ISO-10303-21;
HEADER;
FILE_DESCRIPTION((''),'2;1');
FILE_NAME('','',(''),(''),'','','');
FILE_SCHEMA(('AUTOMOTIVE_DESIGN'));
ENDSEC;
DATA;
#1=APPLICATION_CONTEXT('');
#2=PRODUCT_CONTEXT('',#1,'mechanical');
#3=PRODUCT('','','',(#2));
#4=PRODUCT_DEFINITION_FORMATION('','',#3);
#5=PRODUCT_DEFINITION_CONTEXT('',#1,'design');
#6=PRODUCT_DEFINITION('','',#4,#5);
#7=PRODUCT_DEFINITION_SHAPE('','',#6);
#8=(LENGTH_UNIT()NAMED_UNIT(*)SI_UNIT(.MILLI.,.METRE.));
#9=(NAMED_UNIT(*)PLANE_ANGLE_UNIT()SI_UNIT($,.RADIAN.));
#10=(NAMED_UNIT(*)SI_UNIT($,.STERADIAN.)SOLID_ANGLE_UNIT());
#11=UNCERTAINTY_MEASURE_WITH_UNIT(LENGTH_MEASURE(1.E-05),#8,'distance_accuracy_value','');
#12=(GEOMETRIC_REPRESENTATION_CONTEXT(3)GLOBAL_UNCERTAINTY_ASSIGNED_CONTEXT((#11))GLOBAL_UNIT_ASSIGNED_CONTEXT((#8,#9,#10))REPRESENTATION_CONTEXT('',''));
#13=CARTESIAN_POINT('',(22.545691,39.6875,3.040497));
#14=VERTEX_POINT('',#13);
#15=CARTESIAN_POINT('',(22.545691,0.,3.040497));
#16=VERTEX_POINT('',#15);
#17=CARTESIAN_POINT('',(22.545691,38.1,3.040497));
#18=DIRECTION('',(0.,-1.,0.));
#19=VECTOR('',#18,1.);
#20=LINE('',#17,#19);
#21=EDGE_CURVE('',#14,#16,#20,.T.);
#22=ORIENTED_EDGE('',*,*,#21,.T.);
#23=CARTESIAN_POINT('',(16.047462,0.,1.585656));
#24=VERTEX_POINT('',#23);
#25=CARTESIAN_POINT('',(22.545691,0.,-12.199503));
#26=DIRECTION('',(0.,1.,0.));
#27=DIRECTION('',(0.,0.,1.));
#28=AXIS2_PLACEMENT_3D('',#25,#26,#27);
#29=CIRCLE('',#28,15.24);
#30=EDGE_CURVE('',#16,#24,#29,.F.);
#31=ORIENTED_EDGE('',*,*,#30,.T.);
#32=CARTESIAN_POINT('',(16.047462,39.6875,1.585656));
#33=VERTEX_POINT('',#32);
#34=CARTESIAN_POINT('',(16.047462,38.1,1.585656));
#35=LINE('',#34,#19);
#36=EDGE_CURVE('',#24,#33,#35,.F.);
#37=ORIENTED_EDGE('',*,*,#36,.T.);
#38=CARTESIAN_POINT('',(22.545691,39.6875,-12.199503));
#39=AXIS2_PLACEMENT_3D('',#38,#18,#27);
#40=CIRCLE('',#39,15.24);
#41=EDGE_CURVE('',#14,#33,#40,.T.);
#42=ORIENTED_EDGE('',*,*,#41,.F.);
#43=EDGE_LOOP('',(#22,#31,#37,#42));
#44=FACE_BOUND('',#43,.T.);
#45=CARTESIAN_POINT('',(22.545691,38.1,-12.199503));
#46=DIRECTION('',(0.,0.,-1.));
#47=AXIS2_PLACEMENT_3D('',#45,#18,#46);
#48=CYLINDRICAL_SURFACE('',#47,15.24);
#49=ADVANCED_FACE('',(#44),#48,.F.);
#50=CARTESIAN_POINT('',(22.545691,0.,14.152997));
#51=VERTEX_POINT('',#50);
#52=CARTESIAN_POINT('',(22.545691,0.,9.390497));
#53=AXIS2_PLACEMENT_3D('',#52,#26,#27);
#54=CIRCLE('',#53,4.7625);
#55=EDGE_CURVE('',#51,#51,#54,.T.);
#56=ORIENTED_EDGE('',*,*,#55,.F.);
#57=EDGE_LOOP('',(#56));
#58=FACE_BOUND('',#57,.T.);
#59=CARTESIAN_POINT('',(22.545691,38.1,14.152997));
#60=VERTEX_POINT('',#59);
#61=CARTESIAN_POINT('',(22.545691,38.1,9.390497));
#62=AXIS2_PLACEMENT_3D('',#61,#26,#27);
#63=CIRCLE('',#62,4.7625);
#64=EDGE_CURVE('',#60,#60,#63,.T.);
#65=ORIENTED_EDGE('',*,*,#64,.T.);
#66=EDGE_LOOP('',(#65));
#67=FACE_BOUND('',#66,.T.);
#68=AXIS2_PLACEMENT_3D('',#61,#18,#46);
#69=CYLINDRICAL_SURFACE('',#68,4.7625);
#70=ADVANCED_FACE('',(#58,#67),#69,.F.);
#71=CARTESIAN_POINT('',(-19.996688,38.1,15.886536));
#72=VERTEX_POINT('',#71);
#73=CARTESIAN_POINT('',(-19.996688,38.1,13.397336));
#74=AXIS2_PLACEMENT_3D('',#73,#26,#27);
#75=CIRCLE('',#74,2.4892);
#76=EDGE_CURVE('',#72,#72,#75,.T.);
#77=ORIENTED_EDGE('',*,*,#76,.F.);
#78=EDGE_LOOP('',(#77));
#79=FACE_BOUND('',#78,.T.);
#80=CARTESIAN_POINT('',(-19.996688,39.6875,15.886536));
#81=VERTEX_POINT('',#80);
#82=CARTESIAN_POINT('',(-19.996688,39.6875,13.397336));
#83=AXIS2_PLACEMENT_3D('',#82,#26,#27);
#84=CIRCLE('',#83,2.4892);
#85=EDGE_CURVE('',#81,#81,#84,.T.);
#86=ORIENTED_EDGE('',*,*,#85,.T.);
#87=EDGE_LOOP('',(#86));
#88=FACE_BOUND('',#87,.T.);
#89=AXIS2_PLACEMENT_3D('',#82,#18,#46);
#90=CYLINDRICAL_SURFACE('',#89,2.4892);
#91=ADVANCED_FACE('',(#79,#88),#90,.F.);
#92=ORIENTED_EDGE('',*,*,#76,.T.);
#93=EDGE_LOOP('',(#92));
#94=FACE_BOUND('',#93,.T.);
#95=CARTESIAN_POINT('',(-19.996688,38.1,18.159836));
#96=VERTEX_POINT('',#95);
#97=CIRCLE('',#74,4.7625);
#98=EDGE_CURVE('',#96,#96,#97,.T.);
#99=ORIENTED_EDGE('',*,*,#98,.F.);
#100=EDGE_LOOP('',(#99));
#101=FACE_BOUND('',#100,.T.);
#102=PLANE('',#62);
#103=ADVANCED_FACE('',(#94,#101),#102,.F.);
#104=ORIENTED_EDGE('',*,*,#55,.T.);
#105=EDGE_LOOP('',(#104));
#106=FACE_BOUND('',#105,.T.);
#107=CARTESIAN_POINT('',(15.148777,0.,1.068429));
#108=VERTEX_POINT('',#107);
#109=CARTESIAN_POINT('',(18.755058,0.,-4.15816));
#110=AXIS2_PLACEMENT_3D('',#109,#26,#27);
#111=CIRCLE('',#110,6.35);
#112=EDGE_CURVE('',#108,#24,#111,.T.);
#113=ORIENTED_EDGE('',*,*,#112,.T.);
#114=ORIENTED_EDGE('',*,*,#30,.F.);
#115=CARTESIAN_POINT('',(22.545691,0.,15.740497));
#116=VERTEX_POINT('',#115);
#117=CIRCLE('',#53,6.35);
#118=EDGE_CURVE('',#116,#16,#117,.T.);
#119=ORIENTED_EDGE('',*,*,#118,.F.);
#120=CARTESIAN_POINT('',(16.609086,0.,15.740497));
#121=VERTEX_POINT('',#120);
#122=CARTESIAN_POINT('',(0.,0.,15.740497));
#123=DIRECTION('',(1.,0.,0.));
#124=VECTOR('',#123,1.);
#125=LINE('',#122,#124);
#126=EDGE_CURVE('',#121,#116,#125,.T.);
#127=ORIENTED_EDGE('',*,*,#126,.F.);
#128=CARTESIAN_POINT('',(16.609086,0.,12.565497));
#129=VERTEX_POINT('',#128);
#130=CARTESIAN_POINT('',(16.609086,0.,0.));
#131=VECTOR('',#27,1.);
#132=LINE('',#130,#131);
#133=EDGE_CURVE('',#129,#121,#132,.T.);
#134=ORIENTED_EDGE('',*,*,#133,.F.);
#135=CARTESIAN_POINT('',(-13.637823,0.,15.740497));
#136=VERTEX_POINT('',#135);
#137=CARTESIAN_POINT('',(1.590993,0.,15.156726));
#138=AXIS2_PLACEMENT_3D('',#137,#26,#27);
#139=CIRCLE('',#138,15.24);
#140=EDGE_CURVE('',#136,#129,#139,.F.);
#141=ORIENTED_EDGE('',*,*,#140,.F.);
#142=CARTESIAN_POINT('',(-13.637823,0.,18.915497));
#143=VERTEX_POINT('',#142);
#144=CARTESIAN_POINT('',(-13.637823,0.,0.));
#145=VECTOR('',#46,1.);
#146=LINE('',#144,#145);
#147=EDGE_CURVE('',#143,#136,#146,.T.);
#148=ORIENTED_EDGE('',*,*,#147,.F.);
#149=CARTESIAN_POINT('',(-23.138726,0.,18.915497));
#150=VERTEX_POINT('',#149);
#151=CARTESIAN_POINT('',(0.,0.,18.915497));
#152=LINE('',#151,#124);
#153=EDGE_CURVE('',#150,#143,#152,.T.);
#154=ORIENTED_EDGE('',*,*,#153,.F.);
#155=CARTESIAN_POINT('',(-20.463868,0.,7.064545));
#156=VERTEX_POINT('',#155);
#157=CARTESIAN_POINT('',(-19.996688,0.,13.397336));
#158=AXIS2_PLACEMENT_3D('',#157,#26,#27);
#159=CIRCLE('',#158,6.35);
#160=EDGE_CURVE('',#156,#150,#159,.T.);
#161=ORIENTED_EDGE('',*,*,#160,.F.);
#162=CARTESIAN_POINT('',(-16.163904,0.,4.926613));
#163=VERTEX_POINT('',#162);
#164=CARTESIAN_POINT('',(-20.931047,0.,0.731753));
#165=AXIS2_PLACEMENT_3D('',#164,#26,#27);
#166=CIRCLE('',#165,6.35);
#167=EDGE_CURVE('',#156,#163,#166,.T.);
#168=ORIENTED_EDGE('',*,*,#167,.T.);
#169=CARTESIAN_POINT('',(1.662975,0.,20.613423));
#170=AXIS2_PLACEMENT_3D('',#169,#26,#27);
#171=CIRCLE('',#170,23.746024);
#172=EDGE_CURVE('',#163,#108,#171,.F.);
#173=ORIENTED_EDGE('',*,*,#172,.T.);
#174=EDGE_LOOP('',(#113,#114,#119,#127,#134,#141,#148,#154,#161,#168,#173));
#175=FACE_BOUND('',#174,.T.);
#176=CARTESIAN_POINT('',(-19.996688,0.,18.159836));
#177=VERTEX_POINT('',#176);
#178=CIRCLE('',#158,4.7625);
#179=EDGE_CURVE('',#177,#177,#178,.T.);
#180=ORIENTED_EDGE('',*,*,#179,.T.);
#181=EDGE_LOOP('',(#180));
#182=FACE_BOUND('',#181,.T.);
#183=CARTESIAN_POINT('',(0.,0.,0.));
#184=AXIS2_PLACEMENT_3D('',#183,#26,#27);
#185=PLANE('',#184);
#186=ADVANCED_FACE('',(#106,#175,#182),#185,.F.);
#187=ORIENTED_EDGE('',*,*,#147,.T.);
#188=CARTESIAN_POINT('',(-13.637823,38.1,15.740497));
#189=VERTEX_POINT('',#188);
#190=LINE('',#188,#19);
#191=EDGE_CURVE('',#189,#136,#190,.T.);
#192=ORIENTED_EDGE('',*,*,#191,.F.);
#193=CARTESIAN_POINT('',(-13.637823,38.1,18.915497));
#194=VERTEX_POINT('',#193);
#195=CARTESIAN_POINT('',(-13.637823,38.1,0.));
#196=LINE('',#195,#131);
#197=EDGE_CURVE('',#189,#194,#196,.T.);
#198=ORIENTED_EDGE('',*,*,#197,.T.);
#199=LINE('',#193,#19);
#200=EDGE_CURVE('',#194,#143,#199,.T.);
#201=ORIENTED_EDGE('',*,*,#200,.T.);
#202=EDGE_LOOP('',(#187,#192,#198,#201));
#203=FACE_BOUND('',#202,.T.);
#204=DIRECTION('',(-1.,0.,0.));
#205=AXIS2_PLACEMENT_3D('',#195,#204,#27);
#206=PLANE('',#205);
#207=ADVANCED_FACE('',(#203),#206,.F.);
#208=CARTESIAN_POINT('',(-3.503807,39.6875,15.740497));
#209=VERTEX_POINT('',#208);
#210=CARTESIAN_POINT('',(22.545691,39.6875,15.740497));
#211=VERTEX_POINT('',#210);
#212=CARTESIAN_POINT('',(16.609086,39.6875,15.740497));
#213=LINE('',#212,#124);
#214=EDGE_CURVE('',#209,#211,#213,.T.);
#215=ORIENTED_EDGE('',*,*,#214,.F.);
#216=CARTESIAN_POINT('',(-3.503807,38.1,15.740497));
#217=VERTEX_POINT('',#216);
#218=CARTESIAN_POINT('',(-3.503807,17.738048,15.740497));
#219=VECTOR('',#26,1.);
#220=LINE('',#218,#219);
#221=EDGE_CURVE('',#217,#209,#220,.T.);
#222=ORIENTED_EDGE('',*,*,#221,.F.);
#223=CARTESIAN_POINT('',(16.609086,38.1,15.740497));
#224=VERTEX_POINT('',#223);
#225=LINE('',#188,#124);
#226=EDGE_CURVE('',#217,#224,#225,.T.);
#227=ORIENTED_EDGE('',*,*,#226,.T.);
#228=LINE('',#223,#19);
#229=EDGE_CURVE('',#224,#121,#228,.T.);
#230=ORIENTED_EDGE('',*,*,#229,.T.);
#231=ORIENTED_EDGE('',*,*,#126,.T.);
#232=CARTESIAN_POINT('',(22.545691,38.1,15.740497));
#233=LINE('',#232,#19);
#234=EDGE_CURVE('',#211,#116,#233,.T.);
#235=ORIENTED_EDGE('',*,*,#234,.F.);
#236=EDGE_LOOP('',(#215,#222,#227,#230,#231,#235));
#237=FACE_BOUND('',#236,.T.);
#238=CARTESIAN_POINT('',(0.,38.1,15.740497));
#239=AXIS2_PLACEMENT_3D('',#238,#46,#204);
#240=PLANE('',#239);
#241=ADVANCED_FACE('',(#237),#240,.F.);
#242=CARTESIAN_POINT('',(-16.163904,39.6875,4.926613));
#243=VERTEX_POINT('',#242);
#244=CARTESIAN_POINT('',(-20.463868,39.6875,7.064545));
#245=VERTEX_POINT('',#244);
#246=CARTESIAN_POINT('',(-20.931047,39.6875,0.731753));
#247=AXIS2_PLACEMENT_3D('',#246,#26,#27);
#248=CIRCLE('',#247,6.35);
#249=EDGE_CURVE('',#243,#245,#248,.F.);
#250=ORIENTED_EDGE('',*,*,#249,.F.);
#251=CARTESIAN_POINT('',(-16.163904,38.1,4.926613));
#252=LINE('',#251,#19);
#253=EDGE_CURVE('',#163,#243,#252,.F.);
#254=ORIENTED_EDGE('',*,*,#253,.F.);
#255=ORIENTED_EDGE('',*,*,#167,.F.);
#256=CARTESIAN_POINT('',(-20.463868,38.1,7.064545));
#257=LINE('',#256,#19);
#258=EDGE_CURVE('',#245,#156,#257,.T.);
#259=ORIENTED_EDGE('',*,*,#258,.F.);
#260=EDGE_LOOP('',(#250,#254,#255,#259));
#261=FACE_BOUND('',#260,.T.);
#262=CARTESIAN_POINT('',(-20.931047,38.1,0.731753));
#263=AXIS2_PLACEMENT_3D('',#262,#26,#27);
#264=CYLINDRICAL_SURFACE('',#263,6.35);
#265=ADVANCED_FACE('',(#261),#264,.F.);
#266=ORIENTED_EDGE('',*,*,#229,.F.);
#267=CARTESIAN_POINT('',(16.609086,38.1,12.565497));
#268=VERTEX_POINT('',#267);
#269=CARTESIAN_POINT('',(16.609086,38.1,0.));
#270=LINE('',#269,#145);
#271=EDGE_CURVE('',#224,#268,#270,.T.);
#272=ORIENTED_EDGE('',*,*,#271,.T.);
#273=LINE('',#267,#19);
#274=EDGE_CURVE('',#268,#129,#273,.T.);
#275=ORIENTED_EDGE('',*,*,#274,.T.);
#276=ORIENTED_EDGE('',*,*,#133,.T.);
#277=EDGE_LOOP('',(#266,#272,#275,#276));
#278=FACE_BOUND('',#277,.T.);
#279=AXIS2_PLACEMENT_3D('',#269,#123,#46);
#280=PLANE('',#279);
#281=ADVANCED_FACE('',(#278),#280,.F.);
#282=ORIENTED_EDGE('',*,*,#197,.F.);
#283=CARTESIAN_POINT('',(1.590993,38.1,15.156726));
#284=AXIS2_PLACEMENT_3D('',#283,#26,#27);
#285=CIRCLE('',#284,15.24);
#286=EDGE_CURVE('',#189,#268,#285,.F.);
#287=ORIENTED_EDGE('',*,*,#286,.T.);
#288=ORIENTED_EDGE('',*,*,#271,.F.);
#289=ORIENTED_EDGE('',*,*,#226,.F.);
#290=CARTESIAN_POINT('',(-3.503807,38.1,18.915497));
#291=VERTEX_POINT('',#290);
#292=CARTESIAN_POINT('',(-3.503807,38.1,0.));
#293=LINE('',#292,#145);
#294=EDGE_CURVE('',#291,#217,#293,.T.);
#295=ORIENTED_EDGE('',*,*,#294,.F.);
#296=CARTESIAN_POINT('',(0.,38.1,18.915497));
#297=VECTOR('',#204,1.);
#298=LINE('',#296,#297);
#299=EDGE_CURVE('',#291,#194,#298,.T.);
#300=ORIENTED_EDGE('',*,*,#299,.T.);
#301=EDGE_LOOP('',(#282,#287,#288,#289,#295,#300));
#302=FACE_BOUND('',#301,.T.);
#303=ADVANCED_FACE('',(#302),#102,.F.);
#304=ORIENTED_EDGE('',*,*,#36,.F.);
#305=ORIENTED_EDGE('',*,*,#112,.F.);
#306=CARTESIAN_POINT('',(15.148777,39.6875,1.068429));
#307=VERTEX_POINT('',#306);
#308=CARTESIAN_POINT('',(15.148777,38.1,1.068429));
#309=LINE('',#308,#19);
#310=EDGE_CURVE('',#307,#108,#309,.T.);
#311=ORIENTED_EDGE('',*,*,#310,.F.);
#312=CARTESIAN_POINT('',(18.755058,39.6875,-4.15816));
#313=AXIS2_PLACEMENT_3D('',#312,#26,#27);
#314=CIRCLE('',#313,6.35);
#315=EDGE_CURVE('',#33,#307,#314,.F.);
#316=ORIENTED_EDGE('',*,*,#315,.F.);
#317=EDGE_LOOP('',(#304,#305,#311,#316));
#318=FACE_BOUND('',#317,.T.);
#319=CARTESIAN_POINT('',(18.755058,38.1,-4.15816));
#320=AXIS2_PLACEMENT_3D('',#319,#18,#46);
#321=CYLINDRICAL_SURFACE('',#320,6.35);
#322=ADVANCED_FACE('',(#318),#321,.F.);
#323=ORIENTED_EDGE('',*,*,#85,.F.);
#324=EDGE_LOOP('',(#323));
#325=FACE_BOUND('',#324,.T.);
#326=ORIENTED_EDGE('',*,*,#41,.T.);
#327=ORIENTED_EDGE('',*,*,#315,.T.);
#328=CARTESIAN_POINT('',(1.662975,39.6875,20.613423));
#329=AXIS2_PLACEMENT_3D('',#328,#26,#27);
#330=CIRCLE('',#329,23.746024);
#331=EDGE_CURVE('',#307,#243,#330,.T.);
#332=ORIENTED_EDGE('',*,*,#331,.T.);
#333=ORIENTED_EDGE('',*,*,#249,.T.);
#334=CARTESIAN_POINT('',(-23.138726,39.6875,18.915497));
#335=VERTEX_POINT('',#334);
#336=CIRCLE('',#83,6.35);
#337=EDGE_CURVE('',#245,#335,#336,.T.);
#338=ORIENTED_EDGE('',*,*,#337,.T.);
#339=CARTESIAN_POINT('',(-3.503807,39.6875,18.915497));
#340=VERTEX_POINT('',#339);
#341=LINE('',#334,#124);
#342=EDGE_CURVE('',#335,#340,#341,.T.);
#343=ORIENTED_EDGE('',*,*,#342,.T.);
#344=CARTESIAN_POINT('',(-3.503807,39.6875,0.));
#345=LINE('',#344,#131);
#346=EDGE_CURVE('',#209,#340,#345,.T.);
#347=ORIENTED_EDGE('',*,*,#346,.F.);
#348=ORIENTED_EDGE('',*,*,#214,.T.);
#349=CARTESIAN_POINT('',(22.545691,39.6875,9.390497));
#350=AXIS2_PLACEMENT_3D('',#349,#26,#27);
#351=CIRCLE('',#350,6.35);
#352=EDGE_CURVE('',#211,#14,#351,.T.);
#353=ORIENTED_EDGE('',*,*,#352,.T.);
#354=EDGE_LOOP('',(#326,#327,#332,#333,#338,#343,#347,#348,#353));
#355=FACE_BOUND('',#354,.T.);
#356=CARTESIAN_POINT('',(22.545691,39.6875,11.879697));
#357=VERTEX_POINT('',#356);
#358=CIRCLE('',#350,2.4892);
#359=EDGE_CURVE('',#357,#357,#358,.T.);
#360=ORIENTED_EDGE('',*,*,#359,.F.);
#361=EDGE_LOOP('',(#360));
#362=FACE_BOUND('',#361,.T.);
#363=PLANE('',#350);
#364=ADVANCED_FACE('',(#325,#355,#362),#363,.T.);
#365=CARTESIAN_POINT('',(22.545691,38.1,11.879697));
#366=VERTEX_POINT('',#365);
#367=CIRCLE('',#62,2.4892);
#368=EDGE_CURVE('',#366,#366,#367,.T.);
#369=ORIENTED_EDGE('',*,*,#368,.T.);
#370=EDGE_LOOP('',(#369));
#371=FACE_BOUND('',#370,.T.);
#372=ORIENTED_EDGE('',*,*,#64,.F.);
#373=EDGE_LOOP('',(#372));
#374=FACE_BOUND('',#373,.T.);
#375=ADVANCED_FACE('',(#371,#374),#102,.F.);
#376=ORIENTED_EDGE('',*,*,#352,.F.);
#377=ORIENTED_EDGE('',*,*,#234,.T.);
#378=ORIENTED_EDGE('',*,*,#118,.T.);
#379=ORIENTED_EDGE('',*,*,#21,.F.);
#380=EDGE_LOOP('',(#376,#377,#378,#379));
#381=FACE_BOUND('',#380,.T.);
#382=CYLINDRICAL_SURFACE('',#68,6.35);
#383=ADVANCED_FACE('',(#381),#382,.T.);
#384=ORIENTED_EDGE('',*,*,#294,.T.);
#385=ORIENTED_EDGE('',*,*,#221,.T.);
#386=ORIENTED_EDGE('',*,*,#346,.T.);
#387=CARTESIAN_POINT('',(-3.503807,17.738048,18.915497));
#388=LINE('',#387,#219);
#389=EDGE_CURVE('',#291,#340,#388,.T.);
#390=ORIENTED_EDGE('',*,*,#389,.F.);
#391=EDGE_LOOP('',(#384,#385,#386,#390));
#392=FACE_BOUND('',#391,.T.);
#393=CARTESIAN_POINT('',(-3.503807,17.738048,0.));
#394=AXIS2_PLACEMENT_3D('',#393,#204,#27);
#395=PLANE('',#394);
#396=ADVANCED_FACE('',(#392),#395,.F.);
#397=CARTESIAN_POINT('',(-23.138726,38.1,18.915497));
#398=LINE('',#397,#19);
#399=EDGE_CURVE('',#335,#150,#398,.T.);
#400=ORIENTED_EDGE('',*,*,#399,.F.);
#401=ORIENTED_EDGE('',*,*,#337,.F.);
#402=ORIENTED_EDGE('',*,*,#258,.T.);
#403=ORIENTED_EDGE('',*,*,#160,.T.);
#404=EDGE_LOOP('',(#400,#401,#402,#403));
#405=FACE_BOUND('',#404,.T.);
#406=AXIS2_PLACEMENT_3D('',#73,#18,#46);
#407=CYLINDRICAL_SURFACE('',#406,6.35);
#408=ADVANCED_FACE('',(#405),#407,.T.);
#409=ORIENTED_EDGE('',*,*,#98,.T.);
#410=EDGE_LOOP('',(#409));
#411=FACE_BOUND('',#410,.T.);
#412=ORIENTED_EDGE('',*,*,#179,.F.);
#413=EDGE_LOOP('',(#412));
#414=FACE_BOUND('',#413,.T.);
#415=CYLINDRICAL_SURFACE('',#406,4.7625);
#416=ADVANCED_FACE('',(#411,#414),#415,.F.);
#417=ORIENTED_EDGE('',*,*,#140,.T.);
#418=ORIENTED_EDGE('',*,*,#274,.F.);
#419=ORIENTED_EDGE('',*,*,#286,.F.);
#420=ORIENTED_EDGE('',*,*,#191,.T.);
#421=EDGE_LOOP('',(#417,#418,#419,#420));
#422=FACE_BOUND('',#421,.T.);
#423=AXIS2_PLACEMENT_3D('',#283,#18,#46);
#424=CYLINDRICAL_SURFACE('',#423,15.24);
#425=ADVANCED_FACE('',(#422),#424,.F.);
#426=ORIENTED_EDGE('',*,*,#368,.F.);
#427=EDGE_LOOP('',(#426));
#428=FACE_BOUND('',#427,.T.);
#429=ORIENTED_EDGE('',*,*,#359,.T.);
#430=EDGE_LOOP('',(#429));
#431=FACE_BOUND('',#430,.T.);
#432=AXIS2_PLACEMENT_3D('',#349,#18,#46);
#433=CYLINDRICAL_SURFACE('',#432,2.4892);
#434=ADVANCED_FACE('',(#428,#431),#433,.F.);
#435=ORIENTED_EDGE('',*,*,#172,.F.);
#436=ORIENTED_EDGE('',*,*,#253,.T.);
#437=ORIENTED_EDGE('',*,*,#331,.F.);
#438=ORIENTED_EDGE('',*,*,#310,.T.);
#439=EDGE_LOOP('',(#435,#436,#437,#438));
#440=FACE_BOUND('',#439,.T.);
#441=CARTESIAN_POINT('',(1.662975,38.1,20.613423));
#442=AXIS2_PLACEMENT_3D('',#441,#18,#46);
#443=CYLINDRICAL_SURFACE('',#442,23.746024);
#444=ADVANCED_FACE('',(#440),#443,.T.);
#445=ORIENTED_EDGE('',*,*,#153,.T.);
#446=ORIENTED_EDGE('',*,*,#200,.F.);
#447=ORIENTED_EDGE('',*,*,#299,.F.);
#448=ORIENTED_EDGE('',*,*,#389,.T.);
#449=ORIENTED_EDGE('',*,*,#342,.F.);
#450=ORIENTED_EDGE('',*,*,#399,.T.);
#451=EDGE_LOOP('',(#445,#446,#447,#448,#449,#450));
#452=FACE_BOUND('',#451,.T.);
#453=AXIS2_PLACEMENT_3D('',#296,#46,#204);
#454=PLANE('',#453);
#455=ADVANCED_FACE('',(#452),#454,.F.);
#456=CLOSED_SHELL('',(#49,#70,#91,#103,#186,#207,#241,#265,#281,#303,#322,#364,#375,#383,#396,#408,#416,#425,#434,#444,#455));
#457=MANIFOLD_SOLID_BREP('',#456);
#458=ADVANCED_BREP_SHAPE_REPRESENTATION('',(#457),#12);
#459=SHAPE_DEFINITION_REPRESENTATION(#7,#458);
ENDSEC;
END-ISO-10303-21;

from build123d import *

# Parameters (mm, degrees)
SKETCH2_R           = 4.7625
BOSS_EXTRUDE1_DEPTH = 38.1
SKETCH3_R           = 2.4892
BOSS_EXTRUDE2_DEPTH = 1.5875
SKETCH4_W           = 20.112893425
SKETCH4_H           = 3.175
SKETCH4_W_2         = 10.134015187
BOSS_EXTRUDE3_DEPTH = 1.5875
FILLET2_R           = 6.35


with BuildPart() as part:
    # Sketch2 → Boss-Extrude1 (new body)
    with BuildSketch(Plane(origin=(0, 0, 0), x_dir=(1, 0, 0), z_dir=(0, 1, 0))):
        with BuildLine():
            Line((-13.637822674, -18.9154966), (-13.637822674, -15.7404966))
            ThreePointArc((-13.637822674, -15.7404966), (0, 0), (16.609085938, -12.5654966))
            Line((16.609085938, -12.5654966), (16.609085938, -15.7404966))
            Line((16.609085938, -15.7404966), (22.545691393, -15.7404966))
            ThreePointArc((22.545691393, -15.7404966), (28.895691393, -9.3904966), (22.545691393, -3.0404966))
            ThreePointArc((22.545691393, -3.0404966), (18.914562129, -2.601594541), (15.492581173, -1.310168551))
            ThreePointArc((15.492581173, -1.310168551), (-2.207478742, 2.815047226), (-17.640279185, -6.783817119))
            ThreePointArc((-17.640279185, -6.783817119), (-18.810770101, -6.984553123), (-19.996688426, -7.047335697))
            ThreePointArc((-19.996688426, -7.047335697), (-26.135207048, -11.772192893), (-23.138726022, -18.9154966))
            Line((-23.138726022, -18.9154966), (-13.637822674, -18.9154966))
        make_face()
        with Locations((-19.996688426, -13.397335697)):
            Circle(SKETCH2_R, mode=Mode.SUBTRACT)
        with Locations((22.545691393, -9.3904966)):
            Circle(SKETCH2_R, mode=Mode.SUBTRACT)
    extrude(amount=BOSS_EXTRUDE1_DEPTH)

    # Sketch3 → Boss-Extrude2 (add)
    with BuildSketch(Plane(origin=(0, 38.1, 0), x_dir=(-1, 0, 0), z_dir=(0, 1, 0))):
        with BuildLine():
            Line((13.637822674, 15.7404966), (3.503807487, 15.7404966))
            Line((3.503807487, 15.7404966), (3.503807487, 12.5654966))
            Line((3.503807487, 12.5654966), (-16.609085938, 12.5654966))
            Line((-16.609085938, 12.5654966), (-16.609085938, 15.7404966))
            Line((-16.609085938, 15.7404966), (-22.545691393, 15.7404966))
            ThreePointArc((-22.545691393, 15.7404966), (-28.895691393, 9.3904966), (-22.545691393, 3.0404966))
            ThreePointArc((-22.545691393, 3.0404966), (-18.914562129, 2.601594541), (-15.492581173, 1.310168551))
            ThreePointArc((-15.492581173, 1.310168551), (2.207478742, -2.815047226), (17.640279185, 6.783817119))
            ThreePointArc((17.640279185, 6.783817119), (18.810770101, 6.984553123), (19.996688426, 7.047335697))
            ThreePointArc((19.996688426, 7.047335697), (26.135207048, 11.772192893), (23.138726022, 18.9154966))
            Line((23.138726022, 18.9154966), (13.637822674, 18.9154966))
            Line((13.637822674, 18.9154966), (13.637822674, 15.7404966))
        make_face()
        with Locations((-22.545691393, 9.3904966)):
            Circle(SKETCH3_R, mode=Mode.SUBTRACT)
        with Locations((19.996688426, 13.397335697)):
            Circle(SKETCH3_R, mode=Mode.SUBTRACT)
    extrude(amount=BOSS_EXTRUDE2_DEPTH)

    # Sketch4 → Boss-Extrude3 (add)
    with BuildSketch(Plane(origin=(0, 39.6875, 0), x_dir=(-1, 0, 0), z_dir=(0, 1, 0))):
        with Locations((-6.552639226, 14.1529966)):
            Rectangle(SKETCH4_W, SKETCH4_H)
        with Locations((8.570815081, 17.3279966)):
            Rectangle(SKETCH4_W_2, SKETCH4_H)
    extrude(amount=-BOSS_EXTRUDE3_DEPTH)

    # Fillet2
    fillet2_edges = [part.edges().sort_by_distance(p)[0] for p in [
        (15.492581173, 19.84375, 1.310168551),
        (-17.640279185, 19.84375, 6.783817119),
    ]]
    fillet(fillet2_edges, radius=FILLET2_R)


solid = part.part
